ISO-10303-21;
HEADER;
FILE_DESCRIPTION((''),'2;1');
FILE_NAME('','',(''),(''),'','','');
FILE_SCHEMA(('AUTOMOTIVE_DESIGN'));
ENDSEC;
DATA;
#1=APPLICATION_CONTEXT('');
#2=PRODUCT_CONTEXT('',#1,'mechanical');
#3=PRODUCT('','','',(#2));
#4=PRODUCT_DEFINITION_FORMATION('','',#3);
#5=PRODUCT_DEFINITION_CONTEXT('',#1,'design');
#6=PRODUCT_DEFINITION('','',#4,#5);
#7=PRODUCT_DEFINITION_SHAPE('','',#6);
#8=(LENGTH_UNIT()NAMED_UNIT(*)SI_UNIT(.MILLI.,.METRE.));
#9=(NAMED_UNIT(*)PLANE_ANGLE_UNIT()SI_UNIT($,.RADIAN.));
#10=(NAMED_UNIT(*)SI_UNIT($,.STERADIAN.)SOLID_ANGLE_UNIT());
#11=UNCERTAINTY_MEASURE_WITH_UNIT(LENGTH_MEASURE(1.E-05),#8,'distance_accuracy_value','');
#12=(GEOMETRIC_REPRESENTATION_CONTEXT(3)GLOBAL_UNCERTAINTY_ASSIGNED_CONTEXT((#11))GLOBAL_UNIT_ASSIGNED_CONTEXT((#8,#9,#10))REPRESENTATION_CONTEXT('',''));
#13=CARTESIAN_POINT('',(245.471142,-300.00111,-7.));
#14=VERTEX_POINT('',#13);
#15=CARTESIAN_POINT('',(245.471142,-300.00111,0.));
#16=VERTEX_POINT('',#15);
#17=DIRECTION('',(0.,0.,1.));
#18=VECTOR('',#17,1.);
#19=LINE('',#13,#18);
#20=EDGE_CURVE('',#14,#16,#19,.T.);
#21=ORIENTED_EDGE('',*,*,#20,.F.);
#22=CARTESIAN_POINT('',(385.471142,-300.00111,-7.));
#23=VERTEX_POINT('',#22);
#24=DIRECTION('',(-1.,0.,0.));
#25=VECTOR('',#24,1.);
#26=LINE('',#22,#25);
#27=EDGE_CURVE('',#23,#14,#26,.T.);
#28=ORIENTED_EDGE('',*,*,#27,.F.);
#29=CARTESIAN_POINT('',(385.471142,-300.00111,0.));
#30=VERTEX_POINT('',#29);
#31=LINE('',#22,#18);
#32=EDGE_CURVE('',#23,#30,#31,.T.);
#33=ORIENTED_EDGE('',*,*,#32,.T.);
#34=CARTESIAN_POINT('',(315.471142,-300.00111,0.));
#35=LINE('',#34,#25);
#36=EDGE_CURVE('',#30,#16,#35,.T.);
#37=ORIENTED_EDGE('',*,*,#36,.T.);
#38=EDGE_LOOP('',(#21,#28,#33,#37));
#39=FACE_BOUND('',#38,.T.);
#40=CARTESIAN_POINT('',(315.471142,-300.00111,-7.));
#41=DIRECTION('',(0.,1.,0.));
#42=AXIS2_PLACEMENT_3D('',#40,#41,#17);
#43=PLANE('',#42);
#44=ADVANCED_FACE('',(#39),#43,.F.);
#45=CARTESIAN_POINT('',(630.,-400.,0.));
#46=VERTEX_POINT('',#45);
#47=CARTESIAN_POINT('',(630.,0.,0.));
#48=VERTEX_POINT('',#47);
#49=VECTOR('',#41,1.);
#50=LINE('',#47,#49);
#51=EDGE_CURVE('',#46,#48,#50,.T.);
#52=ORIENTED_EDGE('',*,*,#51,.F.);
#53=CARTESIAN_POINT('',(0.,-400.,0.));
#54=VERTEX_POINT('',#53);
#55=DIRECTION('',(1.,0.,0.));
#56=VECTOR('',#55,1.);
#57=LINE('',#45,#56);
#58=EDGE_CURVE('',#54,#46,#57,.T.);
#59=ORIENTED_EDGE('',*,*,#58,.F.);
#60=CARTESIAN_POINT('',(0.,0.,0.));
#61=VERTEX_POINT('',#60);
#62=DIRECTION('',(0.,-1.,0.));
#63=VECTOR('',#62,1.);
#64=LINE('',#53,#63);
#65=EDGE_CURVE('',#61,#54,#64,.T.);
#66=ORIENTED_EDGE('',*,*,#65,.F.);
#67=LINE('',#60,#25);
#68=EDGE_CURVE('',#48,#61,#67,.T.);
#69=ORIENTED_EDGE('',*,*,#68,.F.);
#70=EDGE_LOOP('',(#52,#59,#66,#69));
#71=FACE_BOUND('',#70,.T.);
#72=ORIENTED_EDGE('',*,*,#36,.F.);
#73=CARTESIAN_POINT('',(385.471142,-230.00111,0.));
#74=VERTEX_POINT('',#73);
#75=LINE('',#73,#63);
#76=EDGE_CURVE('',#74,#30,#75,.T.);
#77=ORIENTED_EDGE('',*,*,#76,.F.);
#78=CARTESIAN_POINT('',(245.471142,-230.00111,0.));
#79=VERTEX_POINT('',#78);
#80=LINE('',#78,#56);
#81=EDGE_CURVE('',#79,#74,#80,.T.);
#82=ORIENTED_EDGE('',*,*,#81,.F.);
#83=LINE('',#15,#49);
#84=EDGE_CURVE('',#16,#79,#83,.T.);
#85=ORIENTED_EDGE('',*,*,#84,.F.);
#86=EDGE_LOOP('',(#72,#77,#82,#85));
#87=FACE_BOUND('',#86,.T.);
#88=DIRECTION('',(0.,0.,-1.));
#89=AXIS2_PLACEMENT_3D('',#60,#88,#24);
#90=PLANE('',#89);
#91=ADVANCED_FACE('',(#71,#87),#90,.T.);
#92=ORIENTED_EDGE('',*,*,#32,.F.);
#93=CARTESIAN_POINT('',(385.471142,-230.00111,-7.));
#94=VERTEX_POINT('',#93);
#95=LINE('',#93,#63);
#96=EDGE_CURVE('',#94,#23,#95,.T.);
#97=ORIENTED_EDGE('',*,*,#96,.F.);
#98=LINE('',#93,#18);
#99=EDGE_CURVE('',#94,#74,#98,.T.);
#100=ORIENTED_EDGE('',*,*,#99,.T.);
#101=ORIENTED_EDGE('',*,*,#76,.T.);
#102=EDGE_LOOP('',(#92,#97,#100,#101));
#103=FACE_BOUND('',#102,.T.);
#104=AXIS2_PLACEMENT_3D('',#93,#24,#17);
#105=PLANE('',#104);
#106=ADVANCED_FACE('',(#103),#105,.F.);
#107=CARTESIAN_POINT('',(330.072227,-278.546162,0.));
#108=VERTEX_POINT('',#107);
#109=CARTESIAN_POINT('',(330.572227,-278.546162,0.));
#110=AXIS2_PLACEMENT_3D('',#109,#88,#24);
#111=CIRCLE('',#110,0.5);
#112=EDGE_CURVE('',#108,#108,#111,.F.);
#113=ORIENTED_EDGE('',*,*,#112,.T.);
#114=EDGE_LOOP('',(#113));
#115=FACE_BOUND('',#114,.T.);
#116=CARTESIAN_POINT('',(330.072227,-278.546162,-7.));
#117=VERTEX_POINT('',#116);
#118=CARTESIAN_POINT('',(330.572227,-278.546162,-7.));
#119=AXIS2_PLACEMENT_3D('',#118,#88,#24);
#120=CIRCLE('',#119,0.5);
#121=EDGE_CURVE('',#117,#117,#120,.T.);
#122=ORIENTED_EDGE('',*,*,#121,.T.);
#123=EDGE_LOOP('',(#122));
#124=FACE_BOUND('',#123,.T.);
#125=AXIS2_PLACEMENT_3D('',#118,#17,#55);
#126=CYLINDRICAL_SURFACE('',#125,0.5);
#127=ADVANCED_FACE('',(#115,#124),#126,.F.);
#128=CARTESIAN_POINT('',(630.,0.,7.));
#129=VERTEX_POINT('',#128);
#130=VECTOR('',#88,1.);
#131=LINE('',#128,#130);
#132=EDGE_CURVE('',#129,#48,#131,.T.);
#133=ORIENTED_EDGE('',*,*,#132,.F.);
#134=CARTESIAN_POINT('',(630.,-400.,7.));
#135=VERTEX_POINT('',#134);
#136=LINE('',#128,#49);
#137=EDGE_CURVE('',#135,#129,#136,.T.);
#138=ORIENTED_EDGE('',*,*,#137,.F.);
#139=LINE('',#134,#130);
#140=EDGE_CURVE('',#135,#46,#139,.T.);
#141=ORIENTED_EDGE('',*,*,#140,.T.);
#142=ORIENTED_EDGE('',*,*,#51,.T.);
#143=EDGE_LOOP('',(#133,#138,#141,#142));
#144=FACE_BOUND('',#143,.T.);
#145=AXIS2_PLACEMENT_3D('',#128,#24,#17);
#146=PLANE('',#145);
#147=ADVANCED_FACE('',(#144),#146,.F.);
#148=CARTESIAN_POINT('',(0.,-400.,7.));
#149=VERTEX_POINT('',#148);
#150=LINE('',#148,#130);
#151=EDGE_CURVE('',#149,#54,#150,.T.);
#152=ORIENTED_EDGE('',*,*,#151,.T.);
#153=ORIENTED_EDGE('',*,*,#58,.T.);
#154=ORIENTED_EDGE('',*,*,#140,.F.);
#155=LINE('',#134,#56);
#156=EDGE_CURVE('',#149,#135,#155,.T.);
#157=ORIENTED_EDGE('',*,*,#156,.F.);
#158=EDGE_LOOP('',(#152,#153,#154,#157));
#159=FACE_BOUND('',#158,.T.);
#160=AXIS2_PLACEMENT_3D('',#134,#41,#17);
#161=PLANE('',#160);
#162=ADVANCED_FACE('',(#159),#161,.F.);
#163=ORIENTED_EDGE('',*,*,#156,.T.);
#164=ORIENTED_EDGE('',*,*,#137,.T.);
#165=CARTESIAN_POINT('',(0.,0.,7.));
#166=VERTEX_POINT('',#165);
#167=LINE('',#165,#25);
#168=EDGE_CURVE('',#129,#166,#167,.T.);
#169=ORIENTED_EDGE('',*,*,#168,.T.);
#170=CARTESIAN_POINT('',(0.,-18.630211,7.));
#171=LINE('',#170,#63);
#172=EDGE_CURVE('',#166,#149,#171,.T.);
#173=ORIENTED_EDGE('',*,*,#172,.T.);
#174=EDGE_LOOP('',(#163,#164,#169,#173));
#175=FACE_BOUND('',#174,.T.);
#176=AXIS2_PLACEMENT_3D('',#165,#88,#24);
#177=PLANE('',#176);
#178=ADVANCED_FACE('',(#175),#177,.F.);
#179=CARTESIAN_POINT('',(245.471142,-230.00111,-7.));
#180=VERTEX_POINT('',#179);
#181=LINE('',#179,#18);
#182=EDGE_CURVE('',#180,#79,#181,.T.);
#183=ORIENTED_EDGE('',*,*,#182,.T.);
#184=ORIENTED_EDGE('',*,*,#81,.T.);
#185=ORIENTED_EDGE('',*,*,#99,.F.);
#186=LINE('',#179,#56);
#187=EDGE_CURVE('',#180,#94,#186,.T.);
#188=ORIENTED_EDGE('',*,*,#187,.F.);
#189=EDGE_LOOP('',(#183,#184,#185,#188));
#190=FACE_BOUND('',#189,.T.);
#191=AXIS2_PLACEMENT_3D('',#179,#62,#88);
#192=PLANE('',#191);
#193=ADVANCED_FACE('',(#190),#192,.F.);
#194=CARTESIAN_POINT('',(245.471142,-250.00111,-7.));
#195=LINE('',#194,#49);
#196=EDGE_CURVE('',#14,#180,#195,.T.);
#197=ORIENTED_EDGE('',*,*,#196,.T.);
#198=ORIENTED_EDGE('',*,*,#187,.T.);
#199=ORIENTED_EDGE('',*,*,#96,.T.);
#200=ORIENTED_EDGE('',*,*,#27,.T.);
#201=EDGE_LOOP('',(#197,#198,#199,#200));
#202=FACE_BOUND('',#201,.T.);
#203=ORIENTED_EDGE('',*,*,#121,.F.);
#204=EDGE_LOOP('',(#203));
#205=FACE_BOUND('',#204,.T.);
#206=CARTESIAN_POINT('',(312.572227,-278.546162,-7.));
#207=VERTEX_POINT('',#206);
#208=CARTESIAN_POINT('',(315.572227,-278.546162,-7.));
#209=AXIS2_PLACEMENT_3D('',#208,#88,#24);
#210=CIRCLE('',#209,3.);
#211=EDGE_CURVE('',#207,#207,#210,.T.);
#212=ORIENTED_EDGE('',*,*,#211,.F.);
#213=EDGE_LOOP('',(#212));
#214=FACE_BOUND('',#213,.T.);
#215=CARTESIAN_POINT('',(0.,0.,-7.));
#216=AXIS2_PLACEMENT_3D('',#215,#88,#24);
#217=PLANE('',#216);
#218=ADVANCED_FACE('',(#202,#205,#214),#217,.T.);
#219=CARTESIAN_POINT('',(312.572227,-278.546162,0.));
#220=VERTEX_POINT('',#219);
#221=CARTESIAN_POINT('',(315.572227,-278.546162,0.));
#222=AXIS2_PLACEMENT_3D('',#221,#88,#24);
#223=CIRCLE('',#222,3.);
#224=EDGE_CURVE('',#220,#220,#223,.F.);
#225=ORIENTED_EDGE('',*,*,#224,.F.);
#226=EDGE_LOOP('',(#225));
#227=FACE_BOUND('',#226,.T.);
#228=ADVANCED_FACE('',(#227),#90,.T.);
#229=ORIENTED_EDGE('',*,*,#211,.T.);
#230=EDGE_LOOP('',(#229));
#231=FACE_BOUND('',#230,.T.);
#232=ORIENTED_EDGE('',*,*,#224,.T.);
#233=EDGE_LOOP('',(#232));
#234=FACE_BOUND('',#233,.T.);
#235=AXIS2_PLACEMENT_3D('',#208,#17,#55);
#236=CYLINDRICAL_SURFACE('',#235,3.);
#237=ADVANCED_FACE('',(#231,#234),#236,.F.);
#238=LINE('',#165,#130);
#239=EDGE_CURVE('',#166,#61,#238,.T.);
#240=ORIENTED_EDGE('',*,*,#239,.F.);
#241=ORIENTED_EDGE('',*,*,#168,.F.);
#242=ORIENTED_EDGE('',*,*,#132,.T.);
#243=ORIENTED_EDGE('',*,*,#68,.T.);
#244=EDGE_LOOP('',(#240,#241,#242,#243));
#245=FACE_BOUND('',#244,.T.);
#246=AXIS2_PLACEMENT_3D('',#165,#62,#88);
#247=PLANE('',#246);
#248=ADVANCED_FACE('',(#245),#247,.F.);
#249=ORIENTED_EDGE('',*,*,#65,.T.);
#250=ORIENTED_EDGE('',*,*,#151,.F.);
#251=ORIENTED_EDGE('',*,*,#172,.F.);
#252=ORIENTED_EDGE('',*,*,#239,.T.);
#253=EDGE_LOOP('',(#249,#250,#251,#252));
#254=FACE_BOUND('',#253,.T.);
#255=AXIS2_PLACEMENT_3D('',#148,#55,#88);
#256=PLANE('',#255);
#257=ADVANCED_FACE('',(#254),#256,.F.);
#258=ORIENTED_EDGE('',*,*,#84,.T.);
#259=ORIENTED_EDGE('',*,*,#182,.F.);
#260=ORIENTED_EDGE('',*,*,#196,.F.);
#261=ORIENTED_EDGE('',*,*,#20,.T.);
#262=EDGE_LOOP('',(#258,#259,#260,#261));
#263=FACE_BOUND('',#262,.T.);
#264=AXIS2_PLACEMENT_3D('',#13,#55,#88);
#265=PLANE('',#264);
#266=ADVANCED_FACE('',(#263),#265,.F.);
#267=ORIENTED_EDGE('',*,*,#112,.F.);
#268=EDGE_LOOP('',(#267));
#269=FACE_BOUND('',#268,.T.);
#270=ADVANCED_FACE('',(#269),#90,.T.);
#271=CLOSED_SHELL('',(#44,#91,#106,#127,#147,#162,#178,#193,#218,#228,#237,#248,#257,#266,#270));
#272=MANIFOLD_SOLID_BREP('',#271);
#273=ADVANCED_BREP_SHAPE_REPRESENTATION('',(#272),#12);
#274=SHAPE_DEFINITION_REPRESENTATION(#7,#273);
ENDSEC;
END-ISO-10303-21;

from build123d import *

# Parameters (mm, degrees)
EXTRUDE_1_DEPTH = 7
SKETCH_2_R      = 3
SKETCH_2_R_2    = 0.5
EXTRUDE_2_DEPTH = 7


with BuildPart() as part:
    # 草图1 → 凸台-拉伸1 (new body)
    with BuildSketch(Plane.XY):
        Polygon((0, 0), (630, 0), (630, -400), (0, -400), (0, -18.630210668), align=None)
    extrude(amount=EXTRUDE_1_DEPTH)

    # 草图2 → 凸台-拉伸2 (add)
    with BuildSketch(Plane(origin=(0, 0, 0), x_dir=(-1, 0, 0), z_dir=(0, 0, -1))):
        Polygon((-315.471142347, -300.001109882), (-245.471142347, -300.001109882), (-245.471142347, -250.001109882), (-245.471142347, -230.001109882), (-385.471142347, -230.001109882), (-385.471142347, -300.001109882), align=None)
        with Locations((-315.572226811, -278.546162476)):
            Circle(SKETCH_2_R, mode=Mode.SUBTRACT)
        with Locations((-330.572226811, -278.546162476)):
            Circle(SKETCH_2_R_2, mode=Mode.SUBTRACT)
    extrude(amount=EXTRUDE_2_DEPTH)


solid = part.part
